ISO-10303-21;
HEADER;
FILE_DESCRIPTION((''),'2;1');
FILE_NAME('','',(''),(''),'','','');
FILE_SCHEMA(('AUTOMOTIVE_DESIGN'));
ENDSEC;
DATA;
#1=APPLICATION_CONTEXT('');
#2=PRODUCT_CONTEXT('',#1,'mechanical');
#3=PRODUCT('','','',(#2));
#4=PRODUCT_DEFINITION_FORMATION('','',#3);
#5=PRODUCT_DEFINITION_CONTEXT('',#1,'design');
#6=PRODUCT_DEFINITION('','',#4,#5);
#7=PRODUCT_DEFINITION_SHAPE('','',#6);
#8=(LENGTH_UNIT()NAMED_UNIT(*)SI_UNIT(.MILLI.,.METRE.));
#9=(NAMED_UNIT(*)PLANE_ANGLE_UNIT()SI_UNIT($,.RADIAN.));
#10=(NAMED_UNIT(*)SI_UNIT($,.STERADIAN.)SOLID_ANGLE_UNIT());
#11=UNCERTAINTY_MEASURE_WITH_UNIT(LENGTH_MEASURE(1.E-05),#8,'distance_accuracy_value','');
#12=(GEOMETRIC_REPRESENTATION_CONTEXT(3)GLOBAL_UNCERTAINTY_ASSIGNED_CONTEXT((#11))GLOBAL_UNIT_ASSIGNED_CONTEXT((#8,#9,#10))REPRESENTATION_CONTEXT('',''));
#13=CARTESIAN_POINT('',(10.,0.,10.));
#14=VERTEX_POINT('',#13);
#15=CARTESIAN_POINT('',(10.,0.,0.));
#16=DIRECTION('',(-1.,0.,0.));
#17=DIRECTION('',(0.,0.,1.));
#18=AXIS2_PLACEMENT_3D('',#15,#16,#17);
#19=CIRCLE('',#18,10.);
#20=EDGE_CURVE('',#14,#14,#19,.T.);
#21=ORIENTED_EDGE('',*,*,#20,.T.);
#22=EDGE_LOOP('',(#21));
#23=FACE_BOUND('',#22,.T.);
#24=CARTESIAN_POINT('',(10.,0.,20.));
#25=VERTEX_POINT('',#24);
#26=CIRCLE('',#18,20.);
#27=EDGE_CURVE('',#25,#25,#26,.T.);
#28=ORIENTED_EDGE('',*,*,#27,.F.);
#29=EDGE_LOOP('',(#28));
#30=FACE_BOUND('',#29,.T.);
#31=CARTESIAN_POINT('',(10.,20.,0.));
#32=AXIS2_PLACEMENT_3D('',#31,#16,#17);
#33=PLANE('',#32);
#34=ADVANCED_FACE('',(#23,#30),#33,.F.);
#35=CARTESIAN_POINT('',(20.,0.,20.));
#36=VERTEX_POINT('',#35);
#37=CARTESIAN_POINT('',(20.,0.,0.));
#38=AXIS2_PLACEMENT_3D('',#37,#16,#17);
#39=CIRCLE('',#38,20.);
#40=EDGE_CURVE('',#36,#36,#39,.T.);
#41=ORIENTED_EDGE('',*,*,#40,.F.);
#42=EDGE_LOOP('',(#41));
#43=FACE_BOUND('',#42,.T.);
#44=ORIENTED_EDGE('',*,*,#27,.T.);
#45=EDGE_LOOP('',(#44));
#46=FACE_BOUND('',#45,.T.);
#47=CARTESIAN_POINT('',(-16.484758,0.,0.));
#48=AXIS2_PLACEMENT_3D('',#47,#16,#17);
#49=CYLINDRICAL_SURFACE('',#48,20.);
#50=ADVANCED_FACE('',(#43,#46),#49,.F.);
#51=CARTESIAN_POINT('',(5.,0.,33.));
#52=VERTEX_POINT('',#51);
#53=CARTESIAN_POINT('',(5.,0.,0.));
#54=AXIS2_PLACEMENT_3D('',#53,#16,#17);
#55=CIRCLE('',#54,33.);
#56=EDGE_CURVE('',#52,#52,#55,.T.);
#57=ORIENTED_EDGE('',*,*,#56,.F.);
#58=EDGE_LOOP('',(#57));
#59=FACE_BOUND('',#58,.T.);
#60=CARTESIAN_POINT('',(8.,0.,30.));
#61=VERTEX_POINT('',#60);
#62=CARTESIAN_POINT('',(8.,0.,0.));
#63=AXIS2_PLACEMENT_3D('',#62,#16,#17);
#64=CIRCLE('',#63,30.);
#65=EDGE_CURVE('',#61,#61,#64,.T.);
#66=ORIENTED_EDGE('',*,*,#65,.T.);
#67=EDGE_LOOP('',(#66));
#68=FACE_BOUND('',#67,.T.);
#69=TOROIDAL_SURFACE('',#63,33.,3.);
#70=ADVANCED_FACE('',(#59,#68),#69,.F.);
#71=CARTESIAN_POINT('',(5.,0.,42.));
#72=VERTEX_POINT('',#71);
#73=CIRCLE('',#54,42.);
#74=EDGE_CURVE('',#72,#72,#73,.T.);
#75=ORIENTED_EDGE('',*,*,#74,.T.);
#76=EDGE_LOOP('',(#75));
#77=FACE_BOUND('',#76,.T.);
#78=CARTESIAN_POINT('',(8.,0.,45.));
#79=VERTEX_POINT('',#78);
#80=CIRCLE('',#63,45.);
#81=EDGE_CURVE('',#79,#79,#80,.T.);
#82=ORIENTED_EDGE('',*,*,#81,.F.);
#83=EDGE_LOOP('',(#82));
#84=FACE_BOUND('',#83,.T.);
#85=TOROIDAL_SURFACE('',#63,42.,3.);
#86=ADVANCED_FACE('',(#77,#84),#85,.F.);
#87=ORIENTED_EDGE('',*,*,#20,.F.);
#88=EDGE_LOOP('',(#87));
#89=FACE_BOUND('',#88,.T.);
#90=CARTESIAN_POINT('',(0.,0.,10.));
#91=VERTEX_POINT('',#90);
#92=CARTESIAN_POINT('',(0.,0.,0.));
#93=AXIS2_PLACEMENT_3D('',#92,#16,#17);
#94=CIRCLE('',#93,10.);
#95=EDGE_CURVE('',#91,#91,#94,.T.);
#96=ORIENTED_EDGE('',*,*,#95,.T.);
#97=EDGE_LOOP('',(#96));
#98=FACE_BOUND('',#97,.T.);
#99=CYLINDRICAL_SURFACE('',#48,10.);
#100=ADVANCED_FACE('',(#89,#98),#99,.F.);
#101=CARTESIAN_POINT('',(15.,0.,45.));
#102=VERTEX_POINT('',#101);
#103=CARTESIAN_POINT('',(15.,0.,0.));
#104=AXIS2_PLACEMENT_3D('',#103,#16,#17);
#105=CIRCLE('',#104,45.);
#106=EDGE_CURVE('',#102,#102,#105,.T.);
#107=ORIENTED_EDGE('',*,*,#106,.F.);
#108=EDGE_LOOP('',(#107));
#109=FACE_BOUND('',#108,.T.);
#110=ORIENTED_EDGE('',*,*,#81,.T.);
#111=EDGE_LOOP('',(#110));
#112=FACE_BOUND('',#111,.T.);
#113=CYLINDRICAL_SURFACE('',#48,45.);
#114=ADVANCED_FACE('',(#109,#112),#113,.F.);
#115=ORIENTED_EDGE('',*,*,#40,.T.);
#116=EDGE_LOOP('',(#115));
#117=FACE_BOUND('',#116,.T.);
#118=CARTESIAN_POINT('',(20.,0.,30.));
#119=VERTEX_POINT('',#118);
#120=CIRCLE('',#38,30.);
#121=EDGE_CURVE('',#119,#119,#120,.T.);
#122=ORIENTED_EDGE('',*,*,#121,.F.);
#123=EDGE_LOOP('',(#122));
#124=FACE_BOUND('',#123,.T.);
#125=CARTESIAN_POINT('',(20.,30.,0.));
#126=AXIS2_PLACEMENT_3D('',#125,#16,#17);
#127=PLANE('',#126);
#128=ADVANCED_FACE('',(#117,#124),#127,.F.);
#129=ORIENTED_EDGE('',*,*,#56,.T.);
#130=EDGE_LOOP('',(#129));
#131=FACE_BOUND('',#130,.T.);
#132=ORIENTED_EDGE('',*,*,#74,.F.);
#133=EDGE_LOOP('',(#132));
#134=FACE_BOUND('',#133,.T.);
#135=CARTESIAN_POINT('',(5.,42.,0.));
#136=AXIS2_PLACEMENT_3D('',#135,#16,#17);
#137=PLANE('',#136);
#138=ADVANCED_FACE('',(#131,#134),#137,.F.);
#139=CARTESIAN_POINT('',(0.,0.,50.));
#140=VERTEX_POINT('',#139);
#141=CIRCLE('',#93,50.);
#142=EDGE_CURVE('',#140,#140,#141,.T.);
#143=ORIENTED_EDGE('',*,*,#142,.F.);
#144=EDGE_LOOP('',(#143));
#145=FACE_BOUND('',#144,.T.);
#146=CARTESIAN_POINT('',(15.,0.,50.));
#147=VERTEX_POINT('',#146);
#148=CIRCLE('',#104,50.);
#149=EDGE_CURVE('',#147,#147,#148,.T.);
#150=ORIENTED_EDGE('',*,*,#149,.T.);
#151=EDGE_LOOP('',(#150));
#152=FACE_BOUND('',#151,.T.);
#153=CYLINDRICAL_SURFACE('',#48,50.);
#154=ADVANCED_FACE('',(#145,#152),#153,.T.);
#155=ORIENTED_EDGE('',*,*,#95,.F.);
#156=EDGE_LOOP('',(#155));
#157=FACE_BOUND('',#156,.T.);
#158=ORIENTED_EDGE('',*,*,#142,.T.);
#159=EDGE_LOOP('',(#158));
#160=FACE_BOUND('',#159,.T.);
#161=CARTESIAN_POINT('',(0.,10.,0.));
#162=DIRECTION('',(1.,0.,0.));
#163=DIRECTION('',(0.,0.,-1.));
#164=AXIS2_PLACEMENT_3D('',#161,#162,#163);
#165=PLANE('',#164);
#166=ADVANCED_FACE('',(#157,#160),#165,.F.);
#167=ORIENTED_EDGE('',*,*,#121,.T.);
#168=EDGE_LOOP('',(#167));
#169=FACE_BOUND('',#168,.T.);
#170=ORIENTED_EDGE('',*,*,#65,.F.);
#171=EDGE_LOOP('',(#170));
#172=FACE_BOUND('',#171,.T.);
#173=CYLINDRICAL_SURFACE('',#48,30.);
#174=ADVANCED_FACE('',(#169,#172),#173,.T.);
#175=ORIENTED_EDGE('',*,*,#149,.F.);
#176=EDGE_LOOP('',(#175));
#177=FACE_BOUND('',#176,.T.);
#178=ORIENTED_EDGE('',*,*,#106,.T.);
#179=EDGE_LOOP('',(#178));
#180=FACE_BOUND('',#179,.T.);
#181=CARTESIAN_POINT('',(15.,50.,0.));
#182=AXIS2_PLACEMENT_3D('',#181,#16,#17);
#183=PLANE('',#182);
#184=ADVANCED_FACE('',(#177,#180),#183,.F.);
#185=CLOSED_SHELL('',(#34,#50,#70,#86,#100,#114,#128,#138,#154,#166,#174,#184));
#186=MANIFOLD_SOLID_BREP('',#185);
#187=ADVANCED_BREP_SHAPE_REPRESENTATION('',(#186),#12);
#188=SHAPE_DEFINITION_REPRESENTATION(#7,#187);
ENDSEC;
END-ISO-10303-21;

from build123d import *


with BuildPart() as part:
    # Croquis1 → Revolución1 (revolve)
    with BuildSketch(Plane.XY, mode=Mode.PRIVATE) as revoluci_n1_sk:
        with BuildLine():
            Line((0, 10), (0, 50))
            Line((0, 50), (15, 50))
            Line((15, 50), (15, 45))
            Line((15, 45), (8, 45))
            ThreePointArc((8, 45), (5.878679656, 44.121320344), (5, 42))
            Line((5, 42), (5, 33))
            ThreePointArc((5, 33), (5.878679656, 30.878679656), (8, 30))
            Line((8, 30), (20, 30))
            Line((20, 30), (20, 20))
            Line((20, 20), (10, 20))
            Line((10, 20), (10, 10))
            Line((10, 10), (0, 10))
        make_face()
    revolve(revoluci_n1_sk.sketch.rotate(Axis((-16.484758047, 0, 0), (1, 0, 0)), 90), axis=Axis((-16.484758047, 0, 0), (1, 0, 0)))


solid = part.part
